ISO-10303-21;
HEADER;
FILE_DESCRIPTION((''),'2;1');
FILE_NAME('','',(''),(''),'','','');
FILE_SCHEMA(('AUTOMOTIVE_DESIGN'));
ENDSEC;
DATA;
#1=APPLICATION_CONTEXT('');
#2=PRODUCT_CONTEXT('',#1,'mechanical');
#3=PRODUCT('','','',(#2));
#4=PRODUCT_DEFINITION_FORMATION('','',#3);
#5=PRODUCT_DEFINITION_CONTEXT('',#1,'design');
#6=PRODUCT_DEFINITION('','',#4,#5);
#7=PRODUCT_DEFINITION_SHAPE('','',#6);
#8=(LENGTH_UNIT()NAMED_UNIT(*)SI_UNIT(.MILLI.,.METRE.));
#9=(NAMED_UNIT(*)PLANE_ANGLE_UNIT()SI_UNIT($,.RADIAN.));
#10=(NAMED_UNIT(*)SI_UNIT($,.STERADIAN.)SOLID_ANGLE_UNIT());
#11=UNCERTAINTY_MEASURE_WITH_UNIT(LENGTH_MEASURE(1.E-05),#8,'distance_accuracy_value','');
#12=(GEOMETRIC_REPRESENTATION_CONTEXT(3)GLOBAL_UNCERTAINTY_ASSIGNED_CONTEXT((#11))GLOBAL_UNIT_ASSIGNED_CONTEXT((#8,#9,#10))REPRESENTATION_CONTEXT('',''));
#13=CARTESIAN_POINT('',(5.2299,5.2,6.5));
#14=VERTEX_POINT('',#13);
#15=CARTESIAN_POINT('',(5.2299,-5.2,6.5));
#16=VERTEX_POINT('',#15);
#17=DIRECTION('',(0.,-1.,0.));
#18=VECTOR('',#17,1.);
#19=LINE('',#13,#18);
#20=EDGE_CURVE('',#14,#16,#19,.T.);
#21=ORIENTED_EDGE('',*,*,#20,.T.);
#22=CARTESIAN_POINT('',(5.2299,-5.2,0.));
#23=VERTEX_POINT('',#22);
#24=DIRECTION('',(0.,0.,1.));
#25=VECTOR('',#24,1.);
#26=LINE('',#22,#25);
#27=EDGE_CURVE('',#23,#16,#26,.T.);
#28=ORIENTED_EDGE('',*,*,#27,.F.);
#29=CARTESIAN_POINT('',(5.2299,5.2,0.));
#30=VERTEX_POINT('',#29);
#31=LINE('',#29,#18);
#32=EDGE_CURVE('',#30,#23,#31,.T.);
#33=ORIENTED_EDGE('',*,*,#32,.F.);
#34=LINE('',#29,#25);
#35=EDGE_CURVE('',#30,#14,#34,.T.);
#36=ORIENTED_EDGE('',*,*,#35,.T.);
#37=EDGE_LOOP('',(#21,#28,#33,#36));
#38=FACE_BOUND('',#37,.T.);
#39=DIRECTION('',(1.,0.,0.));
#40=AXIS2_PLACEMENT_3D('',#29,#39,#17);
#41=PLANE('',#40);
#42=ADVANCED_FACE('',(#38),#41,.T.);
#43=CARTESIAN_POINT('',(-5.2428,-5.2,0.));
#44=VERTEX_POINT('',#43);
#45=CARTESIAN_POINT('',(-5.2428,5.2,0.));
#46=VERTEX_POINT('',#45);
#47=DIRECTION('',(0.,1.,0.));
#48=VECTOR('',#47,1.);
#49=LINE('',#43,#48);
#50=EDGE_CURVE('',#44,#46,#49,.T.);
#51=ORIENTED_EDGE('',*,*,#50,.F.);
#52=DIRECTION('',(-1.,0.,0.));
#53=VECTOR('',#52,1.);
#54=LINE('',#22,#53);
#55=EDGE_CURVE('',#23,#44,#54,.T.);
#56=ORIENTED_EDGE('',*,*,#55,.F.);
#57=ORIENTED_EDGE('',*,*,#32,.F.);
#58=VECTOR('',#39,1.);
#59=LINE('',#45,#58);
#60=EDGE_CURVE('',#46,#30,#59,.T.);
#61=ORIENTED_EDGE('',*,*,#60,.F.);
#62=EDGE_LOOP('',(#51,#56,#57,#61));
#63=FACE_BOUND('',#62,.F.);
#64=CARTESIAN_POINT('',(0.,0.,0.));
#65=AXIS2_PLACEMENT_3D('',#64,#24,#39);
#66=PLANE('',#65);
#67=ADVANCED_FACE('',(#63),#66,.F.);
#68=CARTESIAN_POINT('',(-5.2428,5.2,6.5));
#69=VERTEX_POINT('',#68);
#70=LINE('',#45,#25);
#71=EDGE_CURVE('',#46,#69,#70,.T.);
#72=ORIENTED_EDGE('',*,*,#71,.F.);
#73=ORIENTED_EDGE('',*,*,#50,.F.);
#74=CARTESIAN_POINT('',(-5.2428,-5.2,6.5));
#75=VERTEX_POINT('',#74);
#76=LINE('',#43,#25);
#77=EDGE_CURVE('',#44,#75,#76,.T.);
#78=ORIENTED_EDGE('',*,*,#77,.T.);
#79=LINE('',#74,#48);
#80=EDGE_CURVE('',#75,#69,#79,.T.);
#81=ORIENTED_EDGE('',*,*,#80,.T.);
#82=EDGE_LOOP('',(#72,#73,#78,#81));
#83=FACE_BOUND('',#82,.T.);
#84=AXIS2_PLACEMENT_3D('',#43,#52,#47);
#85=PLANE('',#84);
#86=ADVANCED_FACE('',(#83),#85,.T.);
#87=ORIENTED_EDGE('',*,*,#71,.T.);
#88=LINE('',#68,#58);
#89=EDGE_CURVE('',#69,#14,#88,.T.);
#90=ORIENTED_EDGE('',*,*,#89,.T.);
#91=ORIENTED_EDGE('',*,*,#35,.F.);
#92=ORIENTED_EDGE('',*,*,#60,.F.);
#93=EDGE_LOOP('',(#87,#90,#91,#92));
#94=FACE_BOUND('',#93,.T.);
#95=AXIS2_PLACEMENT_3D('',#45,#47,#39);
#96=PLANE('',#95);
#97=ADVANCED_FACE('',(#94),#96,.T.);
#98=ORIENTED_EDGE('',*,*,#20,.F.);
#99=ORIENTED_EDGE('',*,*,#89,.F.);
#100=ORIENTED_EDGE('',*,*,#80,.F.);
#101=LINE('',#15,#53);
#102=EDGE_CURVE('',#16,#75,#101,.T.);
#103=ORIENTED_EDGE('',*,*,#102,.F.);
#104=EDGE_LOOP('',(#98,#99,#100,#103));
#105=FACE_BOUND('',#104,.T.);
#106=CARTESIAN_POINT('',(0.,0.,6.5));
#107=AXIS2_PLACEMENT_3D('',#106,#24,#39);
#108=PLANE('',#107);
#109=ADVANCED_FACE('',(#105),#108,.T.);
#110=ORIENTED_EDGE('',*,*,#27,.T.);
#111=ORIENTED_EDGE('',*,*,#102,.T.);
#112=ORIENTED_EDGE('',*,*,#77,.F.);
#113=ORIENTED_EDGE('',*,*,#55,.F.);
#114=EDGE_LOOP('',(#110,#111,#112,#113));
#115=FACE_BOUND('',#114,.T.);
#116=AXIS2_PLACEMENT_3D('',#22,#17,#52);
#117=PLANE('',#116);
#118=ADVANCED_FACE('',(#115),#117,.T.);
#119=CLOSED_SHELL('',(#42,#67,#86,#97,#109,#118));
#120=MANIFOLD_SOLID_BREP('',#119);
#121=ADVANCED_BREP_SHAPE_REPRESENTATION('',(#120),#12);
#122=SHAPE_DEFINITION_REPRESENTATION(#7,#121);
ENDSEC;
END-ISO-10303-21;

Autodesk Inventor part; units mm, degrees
ref_plane "YZ Plane" through (0, 0, 0) normal (1, 0, 0) x (0, 1, 0)
ref_plane "XZ Plane" through (0, 0, 0) normal (0, 1, 0) x (-1, 0, 0)
ref_plane "XY Plane" through (0, 0, 0) normal (0, 0, 1) x (1, 0, 0)
sketch "3CTH, 3CTH_41" plane through (0, 0, 0) normal (0, 0, 1) x (1, 0, 0)
  line L0 (-5.2428, 5.2) -> (5.2299, 5.2)
  line L1 (5.2299, 5.2) -> (5.2299, -5.2)
  line L2 (5.2299, -5.2) -> (-5.2428, -5.2)
  line L3 (-5.2428, -5.2) -> (-5.2428, 5.2)
extrude "Extrusion1" add sketch "3CTH, 3CTH_41" along normal blind 6.5
properties part number "3CTH"
